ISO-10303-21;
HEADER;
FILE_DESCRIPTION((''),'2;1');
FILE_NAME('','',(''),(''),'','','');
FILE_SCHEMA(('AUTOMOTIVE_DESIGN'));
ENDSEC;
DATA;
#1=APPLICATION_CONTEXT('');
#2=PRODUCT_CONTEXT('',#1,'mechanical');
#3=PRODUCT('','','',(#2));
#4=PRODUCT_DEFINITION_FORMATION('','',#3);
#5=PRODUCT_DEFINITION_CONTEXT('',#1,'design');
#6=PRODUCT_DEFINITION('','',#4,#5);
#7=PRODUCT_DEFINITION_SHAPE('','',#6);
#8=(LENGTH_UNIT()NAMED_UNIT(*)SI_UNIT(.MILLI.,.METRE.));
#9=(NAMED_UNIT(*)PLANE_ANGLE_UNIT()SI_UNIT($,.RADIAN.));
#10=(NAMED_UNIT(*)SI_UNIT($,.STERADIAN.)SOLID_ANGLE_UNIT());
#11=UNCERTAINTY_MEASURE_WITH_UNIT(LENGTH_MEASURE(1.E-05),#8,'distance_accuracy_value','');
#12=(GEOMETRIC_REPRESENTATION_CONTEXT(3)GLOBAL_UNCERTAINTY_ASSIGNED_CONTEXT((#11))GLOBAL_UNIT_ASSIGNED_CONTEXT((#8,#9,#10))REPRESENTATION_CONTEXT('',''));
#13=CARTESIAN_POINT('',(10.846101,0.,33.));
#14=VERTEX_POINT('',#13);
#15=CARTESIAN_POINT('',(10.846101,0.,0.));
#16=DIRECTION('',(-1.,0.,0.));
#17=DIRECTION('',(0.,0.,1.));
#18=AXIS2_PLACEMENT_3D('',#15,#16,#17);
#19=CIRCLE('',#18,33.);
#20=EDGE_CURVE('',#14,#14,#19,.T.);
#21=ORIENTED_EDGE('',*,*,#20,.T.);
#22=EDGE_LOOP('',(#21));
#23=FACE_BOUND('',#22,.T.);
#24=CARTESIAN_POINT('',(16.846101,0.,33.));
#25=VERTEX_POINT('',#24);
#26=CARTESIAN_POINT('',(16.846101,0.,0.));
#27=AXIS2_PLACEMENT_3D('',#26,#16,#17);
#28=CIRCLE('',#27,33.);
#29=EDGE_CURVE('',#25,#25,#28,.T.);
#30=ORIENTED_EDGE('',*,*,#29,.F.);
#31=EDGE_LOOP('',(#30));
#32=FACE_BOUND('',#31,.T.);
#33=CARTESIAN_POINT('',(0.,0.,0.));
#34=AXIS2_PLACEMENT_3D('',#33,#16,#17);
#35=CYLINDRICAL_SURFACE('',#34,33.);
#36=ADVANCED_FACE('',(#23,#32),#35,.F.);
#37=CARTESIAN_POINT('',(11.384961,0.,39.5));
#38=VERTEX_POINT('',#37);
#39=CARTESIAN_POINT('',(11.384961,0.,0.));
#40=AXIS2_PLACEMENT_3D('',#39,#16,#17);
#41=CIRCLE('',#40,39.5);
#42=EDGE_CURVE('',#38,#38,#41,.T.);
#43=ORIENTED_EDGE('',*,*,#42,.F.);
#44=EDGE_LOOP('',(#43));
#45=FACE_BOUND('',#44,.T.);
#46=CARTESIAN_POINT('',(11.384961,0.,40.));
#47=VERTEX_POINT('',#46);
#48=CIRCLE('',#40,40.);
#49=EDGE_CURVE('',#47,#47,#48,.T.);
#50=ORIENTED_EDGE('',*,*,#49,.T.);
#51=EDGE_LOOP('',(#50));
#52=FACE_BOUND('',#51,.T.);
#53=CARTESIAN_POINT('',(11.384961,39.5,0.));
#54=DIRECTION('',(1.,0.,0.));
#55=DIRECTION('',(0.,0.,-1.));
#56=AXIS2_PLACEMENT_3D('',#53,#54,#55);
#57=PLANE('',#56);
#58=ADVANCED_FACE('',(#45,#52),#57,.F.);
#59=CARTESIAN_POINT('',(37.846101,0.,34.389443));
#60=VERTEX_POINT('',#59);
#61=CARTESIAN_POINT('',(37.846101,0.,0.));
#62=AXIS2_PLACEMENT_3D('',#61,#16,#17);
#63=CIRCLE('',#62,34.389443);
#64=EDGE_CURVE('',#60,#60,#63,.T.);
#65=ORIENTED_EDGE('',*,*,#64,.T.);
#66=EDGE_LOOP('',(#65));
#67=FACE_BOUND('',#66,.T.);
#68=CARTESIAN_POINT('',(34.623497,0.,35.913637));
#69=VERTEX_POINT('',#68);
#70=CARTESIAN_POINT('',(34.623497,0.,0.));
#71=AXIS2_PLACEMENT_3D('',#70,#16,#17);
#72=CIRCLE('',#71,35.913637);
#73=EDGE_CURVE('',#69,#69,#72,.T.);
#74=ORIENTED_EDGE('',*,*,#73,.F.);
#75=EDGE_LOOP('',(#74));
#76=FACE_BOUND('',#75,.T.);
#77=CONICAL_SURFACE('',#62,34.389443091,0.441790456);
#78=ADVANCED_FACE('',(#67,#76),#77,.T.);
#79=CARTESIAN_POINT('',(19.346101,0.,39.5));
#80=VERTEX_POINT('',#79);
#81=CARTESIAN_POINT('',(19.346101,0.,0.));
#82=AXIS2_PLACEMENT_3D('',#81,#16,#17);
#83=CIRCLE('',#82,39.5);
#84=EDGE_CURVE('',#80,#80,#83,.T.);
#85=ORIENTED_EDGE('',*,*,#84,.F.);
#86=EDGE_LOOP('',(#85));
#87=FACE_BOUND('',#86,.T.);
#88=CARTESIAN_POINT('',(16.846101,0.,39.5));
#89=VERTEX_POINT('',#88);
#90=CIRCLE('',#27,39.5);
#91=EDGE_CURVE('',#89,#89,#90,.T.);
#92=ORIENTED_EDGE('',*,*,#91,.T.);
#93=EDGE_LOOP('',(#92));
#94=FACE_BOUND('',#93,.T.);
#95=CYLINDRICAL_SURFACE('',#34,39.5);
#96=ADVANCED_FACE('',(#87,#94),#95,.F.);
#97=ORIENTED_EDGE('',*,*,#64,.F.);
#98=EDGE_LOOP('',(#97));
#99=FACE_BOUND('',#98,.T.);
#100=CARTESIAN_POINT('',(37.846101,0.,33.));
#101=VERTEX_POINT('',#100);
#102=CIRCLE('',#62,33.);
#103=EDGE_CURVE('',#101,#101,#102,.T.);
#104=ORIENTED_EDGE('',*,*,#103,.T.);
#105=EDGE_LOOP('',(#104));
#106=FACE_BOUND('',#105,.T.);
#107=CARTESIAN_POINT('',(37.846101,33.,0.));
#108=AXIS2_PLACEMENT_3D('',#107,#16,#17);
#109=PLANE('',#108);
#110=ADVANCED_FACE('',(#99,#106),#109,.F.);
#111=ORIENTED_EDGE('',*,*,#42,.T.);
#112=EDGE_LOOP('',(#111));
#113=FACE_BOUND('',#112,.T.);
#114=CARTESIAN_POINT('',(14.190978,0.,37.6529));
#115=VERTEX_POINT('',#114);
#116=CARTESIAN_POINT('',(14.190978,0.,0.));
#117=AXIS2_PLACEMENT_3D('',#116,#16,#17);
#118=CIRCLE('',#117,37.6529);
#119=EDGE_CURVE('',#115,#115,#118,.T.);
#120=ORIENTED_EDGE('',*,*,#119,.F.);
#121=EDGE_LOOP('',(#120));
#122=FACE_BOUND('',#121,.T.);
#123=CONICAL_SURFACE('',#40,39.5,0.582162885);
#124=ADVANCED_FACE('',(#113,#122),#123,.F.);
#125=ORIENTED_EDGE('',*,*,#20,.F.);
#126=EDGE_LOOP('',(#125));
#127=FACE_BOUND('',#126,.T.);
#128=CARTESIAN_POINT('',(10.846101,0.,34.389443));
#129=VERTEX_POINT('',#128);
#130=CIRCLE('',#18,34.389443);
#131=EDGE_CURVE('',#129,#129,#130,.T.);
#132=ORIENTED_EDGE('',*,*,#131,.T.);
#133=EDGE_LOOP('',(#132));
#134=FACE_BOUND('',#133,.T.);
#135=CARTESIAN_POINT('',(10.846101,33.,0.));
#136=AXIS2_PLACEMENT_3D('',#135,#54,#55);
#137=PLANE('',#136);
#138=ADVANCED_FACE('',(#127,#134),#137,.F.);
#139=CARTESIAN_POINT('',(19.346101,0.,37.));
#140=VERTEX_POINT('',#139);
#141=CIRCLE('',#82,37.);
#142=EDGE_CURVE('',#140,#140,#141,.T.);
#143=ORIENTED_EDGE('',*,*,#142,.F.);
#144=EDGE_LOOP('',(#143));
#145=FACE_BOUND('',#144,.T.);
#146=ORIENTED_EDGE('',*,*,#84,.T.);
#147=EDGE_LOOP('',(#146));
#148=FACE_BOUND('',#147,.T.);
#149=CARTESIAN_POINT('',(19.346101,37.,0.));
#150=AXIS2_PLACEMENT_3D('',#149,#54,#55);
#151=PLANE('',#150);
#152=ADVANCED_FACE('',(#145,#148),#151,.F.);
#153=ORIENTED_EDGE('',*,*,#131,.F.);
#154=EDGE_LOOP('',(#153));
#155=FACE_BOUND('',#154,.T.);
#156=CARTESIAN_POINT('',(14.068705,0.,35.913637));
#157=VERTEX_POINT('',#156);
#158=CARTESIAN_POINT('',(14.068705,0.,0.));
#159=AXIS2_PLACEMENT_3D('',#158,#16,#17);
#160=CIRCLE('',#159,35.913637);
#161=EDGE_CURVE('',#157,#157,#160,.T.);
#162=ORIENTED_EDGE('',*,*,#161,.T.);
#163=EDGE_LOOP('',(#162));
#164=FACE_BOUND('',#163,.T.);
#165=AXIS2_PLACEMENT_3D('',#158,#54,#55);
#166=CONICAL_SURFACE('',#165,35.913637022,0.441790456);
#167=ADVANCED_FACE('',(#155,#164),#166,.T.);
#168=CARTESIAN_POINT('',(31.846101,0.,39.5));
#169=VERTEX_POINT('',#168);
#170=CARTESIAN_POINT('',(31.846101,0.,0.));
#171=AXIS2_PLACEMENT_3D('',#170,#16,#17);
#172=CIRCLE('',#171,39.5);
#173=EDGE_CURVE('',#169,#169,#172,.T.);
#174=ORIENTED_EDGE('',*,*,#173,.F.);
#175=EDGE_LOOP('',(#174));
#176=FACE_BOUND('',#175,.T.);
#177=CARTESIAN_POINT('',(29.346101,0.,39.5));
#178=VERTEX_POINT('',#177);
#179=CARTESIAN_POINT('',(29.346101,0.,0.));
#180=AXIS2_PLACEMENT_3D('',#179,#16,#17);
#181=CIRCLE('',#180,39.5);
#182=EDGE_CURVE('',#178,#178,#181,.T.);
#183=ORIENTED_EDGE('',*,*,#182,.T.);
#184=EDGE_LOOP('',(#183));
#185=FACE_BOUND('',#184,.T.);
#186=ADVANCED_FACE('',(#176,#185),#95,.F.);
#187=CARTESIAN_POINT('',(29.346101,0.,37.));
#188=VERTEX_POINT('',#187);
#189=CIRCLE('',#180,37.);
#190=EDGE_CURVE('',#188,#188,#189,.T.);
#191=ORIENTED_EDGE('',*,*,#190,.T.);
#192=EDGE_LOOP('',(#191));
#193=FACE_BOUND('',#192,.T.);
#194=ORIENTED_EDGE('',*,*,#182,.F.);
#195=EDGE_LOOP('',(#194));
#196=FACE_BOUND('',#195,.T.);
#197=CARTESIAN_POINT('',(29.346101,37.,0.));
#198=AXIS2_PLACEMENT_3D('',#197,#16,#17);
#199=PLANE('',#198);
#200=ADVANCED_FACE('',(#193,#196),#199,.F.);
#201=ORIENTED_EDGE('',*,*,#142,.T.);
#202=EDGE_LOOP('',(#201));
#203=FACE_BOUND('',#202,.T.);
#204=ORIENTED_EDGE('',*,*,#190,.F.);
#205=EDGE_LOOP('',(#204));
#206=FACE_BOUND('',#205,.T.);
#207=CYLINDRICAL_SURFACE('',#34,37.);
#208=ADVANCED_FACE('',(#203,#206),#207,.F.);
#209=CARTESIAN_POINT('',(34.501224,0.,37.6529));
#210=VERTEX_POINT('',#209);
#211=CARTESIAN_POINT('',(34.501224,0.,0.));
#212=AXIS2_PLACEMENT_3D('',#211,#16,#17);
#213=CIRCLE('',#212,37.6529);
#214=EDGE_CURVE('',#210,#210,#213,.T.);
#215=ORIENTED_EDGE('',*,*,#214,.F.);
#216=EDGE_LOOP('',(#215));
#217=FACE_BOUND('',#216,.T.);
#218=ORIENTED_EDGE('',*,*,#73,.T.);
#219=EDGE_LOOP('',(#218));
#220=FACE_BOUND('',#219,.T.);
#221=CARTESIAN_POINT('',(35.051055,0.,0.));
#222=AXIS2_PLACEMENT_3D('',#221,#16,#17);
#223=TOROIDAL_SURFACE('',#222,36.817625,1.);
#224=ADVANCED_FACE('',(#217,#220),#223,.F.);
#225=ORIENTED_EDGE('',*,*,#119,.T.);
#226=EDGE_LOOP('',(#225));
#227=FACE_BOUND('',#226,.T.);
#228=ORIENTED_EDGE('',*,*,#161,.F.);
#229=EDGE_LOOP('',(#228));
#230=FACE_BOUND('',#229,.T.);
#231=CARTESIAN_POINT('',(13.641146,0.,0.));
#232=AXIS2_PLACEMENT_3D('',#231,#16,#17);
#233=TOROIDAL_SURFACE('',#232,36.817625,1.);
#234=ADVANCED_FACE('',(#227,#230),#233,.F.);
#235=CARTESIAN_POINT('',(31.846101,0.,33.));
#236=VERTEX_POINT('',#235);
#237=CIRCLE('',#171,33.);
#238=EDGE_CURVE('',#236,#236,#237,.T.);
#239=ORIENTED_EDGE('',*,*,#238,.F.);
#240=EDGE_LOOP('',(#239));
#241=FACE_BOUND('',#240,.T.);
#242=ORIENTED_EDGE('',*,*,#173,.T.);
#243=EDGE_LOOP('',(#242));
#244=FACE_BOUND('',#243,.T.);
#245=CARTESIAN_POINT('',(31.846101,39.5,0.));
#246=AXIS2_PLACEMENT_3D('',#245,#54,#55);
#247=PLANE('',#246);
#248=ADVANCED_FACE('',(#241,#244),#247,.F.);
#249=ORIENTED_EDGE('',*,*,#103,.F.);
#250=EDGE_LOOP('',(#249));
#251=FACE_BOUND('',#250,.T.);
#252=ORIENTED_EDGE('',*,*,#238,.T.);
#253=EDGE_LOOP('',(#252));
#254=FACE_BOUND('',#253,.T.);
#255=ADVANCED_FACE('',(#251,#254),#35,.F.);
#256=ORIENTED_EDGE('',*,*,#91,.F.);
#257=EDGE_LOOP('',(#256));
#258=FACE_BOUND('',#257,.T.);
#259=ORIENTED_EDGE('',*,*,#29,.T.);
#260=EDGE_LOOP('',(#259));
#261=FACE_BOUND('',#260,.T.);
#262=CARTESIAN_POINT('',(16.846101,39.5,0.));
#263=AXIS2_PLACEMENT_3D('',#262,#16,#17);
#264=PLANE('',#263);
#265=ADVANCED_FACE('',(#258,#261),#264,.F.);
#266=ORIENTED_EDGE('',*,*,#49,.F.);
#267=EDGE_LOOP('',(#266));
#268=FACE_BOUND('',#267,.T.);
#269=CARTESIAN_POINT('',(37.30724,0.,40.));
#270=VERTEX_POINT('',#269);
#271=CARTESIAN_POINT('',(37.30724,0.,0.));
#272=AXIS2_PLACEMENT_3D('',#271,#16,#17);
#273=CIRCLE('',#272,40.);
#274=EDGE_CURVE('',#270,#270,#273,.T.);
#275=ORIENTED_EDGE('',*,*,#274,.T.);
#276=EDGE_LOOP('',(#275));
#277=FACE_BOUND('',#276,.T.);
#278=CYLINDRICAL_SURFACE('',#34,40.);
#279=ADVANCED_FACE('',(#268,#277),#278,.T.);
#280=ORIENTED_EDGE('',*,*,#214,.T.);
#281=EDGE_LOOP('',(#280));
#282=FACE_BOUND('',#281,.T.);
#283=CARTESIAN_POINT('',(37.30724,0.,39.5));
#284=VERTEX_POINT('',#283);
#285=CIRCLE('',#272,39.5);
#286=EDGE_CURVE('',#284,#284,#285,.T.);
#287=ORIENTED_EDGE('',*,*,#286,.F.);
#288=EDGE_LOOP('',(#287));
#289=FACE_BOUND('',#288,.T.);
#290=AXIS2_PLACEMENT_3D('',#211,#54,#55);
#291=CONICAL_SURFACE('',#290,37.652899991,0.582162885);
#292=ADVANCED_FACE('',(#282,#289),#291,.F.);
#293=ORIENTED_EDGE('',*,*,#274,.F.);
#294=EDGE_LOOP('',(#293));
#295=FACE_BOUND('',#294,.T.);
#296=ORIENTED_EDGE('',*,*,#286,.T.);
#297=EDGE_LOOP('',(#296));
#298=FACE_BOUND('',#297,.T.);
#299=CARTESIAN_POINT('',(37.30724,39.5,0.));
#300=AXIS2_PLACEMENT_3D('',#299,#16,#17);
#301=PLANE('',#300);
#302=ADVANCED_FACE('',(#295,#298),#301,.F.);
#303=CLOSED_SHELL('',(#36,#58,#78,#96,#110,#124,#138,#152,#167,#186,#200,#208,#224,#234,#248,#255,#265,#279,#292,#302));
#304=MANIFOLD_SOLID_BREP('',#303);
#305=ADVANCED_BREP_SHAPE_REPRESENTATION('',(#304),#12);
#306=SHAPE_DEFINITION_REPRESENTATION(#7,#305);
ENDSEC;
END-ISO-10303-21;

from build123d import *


with BuildPart() as part:
    # Croquis1 → Revolución1 (revolve)
    with BuildSketch(Plane.XY, mode=Mode.PRIVATE) as revoluci_n1_sk:
        with BuildLine():
            Line((10.846100741, 34.389443091), (14.068704784, 35.913637022))
            ThreePointArc((14.068704784, 35.913637022), (14.638684043, 36.747496005), (14.19097791, 37.652899991))
            Line((14.19097791, 37.652899991), (11.384961428, 39.5))
            Line((11.384961428, 39.5), (11.384961428, 40))
            Line((11.384961428, 40), (37.307240053, 40))
            Line((37.307240053, 40), (37.307240053, 39.5))
            Line((37.307240053, 39.5), (34.501223571, 37.652899991))
            ThreePointArc((34.501223571, 37.652899991), (34.053517438, 36.747496005), (34.623496697, 35.913637022))
            Line((34.623496697, 35.913637022), (37.846100741, 34.389443091))
            Line((37.846100741, 34.389443091), (37.846100741, 33))
            Line((37.846100741, 33), (31.846100741, 33))
            Line((31.846100741, 33), (31.846100741, 39.5))
            Line((31.846100741, 39.5), (29.346100741, 39.5))
            Line((29.346100741, 39.5), (29.346100741, 37))
            Line((29.346100741, 37), (19.346100741, 37))
            Line((19.346100741, 37), (19.346100741, 39.5))
            Line((19.346100741, 39.5), (16.846100741, 39.5))
            Line((16.846100741, 39.5), (16.846100741, 33))
            Line((16.846100741, 33), (10.846100741, 33))
            Line((10.846100741, 33), (10.846100741, 34.389443091))
        make_face()
    revolve(revoluci_n1_sk.sketch.rotate(Axis((0, 0, 0), (1, 0, 0)), 90), axis=Axis((0, 0, 0), (1, 0, 0)))


solid = part.part
